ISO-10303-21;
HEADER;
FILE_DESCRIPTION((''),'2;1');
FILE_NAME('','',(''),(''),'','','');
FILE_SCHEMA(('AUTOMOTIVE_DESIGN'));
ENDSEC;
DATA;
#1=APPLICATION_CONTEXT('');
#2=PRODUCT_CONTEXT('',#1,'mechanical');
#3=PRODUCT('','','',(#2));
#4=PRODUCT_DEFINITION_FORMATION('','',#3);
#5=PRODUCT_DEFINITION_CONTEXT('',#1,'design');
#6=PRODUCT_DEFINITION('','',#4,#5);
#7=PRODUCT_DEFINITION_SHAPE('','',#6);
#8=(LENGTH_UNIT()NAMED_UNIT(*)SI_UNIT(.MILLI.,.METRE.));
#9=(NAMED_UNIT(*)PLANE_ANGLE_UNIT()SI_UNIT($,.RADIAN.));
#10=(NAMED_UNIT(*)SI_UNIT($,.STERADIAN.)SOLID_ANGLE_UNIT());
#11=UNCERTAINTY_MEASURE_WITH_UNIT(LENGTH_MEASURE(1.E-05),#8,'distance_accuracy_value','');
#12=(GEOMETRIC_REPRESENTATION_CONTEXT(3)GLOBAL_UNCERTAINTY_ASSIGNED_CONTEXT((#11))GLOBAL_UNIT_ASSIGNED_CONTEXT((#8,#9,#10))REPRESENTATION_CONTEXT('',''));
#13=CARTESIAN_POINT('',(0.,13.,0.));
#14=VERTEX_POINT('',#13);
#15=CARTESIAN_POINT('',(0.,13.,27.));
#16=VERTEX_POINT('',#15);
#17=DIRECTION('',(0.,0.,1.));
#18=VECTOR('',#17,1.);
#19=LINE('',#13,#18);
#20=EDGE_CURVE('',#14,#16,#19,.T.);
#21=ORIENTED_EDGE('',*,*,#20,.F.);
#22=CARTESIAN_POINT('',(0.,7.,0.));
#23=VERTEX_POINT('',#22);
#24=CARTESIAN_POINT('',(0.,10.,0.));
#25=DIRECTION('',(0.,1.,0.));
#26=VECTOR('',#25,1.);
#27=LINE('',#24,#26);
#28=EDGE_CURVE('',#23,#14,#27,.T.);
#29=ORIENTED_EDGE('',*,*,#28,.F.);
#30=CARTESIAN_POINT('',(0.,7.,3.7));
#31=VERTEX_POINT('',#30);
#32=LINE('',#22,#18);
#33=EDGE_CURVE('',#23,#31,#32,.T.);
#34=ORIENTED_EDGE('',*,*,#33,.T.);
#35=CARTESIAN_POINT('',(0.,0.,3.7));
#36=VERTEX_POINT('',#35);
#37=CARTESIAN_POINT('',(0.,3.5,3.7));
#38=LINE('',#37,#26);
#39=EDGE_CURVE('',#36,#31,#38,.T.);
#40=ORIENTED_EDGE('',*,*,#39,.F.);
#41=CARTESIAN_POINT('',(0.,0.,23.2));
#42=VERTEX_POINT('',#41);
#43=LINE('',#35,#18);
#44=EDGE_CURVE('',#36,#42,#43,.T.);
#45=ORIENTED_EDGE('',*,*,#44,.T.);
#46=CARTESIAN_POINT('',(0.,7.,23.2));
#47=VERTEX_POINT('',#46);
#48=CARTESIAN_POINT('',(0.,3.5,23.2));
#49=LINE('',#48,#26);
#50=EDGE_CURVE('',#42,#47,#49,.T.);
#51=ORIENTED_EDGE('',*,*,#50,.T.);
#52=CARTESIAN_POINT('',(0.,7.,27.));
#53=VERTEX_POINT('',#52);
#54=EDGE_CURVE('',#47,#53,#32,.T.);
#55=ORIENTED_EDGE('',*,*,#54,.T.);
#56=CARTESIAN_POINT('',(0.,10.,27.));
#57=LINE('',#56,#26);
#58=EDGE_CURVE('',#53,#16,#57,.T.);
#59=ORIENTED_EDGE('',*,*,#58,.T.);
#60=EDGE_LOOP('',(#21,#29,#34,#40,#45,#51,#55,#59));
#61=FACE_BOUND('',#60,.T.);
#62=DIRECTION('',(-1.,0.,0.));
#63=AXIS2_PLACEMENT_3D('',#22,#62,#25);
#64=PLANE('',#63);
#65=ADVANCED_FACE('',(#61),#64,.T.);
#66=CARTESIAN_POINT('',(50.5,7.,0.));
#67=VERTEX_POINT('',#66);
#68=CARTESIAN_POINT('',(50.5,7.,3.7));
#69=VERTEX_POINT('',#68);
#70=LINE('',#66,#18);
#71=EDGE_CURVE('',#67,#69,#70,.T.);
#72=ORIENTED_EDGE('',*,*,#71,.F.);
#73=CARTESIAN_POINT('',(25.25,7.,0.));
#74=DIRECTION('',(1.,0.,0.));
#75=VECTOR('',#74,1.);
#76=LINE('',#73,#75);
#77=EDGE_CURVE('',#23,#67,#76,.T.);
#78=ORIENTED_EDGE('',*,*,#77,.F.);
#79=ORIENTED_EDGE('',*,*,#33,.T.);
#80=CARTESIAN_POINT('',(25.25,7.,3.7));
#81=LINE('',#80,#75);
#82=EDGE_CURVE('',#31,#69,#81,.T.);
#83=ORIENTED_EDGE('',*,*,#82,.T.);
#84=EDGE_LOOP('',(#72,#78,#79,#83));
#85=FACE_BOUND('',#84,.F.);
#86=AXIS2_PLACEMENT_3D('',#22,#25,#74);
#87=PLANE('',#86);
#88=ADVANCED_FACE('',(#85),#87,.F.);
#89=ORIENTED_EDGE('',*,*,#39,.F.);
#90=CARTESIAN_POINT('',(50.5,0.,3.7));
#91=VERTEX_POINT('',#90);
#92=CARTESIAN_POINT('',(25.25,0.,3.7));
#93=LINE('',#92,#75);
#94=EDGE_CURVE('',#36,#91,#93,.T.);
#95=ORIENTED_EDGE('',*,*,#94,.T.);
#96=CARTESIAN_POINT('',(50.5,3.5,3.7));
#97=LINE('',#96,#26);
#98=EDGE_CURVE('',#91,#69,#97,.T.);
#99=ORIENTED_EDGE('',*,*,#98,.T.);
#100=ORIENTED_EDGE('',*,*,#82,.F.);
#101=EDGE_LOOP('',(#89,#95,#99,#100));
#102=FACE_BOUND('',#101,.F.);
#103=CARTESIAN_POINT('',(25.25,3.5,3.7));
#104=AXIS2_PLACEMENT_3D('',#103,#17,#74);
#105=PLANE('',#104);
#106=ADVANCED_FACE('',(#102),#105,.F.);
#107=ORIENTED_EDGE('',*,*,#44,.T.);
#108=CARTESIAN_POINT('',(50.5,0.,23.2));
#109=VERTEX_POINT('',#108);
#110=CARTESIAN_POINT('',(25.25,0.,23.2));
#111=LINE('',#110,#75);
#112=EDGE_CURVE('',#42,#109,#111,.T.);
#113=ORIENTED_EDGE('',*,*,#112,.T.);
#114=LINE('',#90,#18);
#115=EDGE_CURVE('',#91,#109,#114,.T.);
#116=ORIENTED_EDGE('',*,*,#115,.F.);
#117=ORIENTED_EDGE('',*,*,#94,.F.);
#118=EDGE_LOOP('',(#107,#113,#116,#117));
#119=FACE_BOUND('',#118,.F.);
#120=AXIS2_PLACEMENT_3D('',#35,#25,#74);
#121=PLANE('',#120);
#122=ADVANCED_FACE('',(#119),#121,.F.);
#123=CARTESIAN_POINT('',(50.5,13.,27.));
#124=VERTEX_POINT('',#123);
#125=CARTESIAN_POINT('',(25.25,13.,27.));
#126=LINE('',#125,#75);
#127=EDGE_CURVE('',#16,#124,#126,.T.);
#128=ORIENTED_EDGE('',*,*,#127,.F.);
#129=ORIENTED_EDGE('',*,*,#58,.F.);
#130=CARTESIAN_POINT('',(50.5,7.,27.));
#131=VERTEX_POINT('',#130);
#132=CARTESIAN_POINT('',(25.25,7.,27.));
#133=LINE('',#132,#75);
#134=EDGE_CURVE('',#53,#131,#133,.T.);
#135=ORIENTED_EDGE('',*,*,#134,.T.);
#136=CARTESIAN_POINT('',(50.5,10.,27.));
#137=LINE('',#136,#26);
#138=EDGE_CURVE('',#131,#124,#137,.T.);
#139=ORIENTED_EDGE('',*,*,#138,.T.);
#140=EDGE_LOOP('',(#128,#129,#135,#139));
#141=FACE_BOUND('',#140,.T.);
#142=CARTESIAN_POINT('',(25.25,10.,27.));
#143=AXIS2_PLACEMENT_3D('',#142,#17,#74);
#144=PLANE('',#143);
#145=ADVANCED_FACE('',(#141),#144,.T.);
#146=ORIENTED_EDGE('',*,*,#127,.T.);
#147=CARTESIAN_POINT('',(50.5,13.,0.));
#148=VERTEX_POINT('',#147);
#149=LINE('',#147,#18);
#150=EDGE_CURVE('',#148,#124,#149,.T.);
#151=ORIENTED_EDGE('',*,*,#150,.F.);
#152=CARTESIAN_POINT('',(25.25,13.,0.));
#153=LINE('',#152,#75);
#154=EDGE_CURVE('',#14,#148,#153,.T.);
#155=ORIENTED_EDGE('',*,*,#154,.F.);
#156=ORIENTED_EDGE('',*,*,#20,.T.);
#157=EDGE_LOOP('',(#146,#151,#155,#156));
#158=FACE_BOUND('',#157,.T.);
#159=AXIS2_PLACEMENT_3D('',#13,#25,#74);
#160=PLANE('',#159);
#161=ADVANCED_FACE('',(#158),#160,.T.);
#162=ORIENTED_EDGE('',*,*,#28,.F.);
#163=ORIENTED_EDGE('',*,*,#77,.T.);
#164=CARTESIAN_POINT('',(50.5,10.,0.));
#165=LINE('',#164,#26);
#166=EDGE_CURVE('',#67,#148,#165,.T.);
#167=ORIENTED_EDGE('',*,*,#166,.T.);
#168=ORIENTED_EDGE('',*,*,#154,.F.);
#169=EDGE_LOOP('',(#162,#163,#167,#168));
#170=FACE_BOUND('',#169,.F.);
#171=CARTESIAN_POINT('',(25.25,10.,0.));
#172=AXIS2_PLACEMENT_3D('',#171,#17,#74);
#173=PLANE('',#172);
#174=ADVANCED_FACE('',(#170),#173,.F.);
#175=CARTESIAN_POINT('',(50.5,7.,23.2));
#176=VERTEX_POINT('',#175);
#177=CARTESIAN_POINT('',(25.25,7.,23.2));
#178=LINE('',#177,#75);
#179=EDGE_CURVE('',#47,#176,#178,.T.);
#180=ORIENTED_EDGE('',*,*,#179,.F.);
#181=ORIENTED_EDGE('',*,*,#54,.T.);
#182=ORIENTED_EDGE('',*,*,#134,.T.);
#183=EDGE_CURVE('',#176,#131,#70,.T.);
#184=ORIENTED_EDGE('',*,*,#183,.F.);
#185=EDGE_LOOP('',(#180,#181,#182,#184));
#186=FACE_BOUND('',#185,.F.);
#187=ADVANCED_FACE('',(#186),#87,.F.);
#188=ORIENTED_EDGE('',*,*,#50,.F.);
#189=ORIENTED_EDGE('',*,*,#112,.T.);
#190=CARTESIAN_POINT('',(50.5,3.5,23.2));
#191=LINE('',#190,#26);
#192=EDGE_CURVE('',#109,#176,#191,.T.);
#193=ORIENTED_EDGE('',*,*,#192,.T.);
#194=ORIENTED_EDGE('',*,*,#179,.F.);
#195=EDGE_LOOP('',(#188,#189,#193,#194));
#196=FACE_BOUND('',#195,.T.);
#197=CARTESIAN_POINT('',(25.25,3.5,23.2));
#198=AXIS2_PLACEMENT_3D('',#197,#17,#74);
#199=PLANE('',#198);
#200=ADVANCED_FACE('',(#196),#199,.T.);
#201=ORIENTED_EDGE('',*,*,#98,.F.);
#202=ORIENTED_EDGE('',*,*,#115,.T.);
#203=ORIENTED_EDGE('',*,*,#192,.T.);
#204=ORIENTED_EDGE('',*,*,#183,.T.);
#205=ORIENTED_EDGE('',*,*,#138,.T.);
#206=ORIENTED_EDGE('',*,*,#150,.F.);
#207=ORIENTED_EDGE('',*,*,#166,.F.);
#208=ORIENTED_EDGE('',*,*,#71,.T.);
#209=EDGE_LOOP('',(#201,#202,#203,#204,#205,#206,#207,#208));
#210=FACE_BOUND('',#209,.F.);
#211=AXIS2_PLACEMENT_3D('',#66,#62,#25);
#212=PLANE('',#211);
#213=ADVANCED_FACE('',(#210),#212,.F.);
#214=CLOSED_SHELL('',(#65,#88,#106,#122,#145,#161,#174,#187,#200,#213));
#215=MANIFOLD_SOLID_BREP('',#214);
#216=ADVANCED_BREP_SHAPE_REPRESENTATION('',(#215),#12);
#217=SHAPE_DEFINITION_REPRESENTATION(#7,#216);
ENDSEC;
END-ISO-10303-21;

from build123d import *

# Parameters (mm, degrees)
BOX002002_W     = 50.5
BOX002002_H     = 7
BOX002002_DEPTH = 19.5
BOX002003_W     = 50.5
BOX002003_H     = 6
BOX002003_DEPTH = 27


with BuildPart() as f_7segment:
    # Box002002 → Box002002 (new body)
    with BuildSketch(Plane.XY.offset(3.7)):
        with Locations((25.25, 3.5)):
            Rectangle(BOX002002_W, BOX002002_H)
    extrude(amount=BOX002002_DEPTH)


with BuildPart() as f_7segmentbackpack:
    # Box002003 → Box002003 (new body)
    with BuildSketch(Plane(origin=(0, 7, 0), x_dir=(1, 0, 0), z_dir=(0, 0, 1))):
        with Locations((25.25, 3)):
            Rectangle(BOX002003_W, BOX002003_H)
    extrude(amount=BOX002003_DEPTH)

    # Fusion: union 7Segment
    add(f_7segment.part)


solid = f_7segmentbackpack.part
